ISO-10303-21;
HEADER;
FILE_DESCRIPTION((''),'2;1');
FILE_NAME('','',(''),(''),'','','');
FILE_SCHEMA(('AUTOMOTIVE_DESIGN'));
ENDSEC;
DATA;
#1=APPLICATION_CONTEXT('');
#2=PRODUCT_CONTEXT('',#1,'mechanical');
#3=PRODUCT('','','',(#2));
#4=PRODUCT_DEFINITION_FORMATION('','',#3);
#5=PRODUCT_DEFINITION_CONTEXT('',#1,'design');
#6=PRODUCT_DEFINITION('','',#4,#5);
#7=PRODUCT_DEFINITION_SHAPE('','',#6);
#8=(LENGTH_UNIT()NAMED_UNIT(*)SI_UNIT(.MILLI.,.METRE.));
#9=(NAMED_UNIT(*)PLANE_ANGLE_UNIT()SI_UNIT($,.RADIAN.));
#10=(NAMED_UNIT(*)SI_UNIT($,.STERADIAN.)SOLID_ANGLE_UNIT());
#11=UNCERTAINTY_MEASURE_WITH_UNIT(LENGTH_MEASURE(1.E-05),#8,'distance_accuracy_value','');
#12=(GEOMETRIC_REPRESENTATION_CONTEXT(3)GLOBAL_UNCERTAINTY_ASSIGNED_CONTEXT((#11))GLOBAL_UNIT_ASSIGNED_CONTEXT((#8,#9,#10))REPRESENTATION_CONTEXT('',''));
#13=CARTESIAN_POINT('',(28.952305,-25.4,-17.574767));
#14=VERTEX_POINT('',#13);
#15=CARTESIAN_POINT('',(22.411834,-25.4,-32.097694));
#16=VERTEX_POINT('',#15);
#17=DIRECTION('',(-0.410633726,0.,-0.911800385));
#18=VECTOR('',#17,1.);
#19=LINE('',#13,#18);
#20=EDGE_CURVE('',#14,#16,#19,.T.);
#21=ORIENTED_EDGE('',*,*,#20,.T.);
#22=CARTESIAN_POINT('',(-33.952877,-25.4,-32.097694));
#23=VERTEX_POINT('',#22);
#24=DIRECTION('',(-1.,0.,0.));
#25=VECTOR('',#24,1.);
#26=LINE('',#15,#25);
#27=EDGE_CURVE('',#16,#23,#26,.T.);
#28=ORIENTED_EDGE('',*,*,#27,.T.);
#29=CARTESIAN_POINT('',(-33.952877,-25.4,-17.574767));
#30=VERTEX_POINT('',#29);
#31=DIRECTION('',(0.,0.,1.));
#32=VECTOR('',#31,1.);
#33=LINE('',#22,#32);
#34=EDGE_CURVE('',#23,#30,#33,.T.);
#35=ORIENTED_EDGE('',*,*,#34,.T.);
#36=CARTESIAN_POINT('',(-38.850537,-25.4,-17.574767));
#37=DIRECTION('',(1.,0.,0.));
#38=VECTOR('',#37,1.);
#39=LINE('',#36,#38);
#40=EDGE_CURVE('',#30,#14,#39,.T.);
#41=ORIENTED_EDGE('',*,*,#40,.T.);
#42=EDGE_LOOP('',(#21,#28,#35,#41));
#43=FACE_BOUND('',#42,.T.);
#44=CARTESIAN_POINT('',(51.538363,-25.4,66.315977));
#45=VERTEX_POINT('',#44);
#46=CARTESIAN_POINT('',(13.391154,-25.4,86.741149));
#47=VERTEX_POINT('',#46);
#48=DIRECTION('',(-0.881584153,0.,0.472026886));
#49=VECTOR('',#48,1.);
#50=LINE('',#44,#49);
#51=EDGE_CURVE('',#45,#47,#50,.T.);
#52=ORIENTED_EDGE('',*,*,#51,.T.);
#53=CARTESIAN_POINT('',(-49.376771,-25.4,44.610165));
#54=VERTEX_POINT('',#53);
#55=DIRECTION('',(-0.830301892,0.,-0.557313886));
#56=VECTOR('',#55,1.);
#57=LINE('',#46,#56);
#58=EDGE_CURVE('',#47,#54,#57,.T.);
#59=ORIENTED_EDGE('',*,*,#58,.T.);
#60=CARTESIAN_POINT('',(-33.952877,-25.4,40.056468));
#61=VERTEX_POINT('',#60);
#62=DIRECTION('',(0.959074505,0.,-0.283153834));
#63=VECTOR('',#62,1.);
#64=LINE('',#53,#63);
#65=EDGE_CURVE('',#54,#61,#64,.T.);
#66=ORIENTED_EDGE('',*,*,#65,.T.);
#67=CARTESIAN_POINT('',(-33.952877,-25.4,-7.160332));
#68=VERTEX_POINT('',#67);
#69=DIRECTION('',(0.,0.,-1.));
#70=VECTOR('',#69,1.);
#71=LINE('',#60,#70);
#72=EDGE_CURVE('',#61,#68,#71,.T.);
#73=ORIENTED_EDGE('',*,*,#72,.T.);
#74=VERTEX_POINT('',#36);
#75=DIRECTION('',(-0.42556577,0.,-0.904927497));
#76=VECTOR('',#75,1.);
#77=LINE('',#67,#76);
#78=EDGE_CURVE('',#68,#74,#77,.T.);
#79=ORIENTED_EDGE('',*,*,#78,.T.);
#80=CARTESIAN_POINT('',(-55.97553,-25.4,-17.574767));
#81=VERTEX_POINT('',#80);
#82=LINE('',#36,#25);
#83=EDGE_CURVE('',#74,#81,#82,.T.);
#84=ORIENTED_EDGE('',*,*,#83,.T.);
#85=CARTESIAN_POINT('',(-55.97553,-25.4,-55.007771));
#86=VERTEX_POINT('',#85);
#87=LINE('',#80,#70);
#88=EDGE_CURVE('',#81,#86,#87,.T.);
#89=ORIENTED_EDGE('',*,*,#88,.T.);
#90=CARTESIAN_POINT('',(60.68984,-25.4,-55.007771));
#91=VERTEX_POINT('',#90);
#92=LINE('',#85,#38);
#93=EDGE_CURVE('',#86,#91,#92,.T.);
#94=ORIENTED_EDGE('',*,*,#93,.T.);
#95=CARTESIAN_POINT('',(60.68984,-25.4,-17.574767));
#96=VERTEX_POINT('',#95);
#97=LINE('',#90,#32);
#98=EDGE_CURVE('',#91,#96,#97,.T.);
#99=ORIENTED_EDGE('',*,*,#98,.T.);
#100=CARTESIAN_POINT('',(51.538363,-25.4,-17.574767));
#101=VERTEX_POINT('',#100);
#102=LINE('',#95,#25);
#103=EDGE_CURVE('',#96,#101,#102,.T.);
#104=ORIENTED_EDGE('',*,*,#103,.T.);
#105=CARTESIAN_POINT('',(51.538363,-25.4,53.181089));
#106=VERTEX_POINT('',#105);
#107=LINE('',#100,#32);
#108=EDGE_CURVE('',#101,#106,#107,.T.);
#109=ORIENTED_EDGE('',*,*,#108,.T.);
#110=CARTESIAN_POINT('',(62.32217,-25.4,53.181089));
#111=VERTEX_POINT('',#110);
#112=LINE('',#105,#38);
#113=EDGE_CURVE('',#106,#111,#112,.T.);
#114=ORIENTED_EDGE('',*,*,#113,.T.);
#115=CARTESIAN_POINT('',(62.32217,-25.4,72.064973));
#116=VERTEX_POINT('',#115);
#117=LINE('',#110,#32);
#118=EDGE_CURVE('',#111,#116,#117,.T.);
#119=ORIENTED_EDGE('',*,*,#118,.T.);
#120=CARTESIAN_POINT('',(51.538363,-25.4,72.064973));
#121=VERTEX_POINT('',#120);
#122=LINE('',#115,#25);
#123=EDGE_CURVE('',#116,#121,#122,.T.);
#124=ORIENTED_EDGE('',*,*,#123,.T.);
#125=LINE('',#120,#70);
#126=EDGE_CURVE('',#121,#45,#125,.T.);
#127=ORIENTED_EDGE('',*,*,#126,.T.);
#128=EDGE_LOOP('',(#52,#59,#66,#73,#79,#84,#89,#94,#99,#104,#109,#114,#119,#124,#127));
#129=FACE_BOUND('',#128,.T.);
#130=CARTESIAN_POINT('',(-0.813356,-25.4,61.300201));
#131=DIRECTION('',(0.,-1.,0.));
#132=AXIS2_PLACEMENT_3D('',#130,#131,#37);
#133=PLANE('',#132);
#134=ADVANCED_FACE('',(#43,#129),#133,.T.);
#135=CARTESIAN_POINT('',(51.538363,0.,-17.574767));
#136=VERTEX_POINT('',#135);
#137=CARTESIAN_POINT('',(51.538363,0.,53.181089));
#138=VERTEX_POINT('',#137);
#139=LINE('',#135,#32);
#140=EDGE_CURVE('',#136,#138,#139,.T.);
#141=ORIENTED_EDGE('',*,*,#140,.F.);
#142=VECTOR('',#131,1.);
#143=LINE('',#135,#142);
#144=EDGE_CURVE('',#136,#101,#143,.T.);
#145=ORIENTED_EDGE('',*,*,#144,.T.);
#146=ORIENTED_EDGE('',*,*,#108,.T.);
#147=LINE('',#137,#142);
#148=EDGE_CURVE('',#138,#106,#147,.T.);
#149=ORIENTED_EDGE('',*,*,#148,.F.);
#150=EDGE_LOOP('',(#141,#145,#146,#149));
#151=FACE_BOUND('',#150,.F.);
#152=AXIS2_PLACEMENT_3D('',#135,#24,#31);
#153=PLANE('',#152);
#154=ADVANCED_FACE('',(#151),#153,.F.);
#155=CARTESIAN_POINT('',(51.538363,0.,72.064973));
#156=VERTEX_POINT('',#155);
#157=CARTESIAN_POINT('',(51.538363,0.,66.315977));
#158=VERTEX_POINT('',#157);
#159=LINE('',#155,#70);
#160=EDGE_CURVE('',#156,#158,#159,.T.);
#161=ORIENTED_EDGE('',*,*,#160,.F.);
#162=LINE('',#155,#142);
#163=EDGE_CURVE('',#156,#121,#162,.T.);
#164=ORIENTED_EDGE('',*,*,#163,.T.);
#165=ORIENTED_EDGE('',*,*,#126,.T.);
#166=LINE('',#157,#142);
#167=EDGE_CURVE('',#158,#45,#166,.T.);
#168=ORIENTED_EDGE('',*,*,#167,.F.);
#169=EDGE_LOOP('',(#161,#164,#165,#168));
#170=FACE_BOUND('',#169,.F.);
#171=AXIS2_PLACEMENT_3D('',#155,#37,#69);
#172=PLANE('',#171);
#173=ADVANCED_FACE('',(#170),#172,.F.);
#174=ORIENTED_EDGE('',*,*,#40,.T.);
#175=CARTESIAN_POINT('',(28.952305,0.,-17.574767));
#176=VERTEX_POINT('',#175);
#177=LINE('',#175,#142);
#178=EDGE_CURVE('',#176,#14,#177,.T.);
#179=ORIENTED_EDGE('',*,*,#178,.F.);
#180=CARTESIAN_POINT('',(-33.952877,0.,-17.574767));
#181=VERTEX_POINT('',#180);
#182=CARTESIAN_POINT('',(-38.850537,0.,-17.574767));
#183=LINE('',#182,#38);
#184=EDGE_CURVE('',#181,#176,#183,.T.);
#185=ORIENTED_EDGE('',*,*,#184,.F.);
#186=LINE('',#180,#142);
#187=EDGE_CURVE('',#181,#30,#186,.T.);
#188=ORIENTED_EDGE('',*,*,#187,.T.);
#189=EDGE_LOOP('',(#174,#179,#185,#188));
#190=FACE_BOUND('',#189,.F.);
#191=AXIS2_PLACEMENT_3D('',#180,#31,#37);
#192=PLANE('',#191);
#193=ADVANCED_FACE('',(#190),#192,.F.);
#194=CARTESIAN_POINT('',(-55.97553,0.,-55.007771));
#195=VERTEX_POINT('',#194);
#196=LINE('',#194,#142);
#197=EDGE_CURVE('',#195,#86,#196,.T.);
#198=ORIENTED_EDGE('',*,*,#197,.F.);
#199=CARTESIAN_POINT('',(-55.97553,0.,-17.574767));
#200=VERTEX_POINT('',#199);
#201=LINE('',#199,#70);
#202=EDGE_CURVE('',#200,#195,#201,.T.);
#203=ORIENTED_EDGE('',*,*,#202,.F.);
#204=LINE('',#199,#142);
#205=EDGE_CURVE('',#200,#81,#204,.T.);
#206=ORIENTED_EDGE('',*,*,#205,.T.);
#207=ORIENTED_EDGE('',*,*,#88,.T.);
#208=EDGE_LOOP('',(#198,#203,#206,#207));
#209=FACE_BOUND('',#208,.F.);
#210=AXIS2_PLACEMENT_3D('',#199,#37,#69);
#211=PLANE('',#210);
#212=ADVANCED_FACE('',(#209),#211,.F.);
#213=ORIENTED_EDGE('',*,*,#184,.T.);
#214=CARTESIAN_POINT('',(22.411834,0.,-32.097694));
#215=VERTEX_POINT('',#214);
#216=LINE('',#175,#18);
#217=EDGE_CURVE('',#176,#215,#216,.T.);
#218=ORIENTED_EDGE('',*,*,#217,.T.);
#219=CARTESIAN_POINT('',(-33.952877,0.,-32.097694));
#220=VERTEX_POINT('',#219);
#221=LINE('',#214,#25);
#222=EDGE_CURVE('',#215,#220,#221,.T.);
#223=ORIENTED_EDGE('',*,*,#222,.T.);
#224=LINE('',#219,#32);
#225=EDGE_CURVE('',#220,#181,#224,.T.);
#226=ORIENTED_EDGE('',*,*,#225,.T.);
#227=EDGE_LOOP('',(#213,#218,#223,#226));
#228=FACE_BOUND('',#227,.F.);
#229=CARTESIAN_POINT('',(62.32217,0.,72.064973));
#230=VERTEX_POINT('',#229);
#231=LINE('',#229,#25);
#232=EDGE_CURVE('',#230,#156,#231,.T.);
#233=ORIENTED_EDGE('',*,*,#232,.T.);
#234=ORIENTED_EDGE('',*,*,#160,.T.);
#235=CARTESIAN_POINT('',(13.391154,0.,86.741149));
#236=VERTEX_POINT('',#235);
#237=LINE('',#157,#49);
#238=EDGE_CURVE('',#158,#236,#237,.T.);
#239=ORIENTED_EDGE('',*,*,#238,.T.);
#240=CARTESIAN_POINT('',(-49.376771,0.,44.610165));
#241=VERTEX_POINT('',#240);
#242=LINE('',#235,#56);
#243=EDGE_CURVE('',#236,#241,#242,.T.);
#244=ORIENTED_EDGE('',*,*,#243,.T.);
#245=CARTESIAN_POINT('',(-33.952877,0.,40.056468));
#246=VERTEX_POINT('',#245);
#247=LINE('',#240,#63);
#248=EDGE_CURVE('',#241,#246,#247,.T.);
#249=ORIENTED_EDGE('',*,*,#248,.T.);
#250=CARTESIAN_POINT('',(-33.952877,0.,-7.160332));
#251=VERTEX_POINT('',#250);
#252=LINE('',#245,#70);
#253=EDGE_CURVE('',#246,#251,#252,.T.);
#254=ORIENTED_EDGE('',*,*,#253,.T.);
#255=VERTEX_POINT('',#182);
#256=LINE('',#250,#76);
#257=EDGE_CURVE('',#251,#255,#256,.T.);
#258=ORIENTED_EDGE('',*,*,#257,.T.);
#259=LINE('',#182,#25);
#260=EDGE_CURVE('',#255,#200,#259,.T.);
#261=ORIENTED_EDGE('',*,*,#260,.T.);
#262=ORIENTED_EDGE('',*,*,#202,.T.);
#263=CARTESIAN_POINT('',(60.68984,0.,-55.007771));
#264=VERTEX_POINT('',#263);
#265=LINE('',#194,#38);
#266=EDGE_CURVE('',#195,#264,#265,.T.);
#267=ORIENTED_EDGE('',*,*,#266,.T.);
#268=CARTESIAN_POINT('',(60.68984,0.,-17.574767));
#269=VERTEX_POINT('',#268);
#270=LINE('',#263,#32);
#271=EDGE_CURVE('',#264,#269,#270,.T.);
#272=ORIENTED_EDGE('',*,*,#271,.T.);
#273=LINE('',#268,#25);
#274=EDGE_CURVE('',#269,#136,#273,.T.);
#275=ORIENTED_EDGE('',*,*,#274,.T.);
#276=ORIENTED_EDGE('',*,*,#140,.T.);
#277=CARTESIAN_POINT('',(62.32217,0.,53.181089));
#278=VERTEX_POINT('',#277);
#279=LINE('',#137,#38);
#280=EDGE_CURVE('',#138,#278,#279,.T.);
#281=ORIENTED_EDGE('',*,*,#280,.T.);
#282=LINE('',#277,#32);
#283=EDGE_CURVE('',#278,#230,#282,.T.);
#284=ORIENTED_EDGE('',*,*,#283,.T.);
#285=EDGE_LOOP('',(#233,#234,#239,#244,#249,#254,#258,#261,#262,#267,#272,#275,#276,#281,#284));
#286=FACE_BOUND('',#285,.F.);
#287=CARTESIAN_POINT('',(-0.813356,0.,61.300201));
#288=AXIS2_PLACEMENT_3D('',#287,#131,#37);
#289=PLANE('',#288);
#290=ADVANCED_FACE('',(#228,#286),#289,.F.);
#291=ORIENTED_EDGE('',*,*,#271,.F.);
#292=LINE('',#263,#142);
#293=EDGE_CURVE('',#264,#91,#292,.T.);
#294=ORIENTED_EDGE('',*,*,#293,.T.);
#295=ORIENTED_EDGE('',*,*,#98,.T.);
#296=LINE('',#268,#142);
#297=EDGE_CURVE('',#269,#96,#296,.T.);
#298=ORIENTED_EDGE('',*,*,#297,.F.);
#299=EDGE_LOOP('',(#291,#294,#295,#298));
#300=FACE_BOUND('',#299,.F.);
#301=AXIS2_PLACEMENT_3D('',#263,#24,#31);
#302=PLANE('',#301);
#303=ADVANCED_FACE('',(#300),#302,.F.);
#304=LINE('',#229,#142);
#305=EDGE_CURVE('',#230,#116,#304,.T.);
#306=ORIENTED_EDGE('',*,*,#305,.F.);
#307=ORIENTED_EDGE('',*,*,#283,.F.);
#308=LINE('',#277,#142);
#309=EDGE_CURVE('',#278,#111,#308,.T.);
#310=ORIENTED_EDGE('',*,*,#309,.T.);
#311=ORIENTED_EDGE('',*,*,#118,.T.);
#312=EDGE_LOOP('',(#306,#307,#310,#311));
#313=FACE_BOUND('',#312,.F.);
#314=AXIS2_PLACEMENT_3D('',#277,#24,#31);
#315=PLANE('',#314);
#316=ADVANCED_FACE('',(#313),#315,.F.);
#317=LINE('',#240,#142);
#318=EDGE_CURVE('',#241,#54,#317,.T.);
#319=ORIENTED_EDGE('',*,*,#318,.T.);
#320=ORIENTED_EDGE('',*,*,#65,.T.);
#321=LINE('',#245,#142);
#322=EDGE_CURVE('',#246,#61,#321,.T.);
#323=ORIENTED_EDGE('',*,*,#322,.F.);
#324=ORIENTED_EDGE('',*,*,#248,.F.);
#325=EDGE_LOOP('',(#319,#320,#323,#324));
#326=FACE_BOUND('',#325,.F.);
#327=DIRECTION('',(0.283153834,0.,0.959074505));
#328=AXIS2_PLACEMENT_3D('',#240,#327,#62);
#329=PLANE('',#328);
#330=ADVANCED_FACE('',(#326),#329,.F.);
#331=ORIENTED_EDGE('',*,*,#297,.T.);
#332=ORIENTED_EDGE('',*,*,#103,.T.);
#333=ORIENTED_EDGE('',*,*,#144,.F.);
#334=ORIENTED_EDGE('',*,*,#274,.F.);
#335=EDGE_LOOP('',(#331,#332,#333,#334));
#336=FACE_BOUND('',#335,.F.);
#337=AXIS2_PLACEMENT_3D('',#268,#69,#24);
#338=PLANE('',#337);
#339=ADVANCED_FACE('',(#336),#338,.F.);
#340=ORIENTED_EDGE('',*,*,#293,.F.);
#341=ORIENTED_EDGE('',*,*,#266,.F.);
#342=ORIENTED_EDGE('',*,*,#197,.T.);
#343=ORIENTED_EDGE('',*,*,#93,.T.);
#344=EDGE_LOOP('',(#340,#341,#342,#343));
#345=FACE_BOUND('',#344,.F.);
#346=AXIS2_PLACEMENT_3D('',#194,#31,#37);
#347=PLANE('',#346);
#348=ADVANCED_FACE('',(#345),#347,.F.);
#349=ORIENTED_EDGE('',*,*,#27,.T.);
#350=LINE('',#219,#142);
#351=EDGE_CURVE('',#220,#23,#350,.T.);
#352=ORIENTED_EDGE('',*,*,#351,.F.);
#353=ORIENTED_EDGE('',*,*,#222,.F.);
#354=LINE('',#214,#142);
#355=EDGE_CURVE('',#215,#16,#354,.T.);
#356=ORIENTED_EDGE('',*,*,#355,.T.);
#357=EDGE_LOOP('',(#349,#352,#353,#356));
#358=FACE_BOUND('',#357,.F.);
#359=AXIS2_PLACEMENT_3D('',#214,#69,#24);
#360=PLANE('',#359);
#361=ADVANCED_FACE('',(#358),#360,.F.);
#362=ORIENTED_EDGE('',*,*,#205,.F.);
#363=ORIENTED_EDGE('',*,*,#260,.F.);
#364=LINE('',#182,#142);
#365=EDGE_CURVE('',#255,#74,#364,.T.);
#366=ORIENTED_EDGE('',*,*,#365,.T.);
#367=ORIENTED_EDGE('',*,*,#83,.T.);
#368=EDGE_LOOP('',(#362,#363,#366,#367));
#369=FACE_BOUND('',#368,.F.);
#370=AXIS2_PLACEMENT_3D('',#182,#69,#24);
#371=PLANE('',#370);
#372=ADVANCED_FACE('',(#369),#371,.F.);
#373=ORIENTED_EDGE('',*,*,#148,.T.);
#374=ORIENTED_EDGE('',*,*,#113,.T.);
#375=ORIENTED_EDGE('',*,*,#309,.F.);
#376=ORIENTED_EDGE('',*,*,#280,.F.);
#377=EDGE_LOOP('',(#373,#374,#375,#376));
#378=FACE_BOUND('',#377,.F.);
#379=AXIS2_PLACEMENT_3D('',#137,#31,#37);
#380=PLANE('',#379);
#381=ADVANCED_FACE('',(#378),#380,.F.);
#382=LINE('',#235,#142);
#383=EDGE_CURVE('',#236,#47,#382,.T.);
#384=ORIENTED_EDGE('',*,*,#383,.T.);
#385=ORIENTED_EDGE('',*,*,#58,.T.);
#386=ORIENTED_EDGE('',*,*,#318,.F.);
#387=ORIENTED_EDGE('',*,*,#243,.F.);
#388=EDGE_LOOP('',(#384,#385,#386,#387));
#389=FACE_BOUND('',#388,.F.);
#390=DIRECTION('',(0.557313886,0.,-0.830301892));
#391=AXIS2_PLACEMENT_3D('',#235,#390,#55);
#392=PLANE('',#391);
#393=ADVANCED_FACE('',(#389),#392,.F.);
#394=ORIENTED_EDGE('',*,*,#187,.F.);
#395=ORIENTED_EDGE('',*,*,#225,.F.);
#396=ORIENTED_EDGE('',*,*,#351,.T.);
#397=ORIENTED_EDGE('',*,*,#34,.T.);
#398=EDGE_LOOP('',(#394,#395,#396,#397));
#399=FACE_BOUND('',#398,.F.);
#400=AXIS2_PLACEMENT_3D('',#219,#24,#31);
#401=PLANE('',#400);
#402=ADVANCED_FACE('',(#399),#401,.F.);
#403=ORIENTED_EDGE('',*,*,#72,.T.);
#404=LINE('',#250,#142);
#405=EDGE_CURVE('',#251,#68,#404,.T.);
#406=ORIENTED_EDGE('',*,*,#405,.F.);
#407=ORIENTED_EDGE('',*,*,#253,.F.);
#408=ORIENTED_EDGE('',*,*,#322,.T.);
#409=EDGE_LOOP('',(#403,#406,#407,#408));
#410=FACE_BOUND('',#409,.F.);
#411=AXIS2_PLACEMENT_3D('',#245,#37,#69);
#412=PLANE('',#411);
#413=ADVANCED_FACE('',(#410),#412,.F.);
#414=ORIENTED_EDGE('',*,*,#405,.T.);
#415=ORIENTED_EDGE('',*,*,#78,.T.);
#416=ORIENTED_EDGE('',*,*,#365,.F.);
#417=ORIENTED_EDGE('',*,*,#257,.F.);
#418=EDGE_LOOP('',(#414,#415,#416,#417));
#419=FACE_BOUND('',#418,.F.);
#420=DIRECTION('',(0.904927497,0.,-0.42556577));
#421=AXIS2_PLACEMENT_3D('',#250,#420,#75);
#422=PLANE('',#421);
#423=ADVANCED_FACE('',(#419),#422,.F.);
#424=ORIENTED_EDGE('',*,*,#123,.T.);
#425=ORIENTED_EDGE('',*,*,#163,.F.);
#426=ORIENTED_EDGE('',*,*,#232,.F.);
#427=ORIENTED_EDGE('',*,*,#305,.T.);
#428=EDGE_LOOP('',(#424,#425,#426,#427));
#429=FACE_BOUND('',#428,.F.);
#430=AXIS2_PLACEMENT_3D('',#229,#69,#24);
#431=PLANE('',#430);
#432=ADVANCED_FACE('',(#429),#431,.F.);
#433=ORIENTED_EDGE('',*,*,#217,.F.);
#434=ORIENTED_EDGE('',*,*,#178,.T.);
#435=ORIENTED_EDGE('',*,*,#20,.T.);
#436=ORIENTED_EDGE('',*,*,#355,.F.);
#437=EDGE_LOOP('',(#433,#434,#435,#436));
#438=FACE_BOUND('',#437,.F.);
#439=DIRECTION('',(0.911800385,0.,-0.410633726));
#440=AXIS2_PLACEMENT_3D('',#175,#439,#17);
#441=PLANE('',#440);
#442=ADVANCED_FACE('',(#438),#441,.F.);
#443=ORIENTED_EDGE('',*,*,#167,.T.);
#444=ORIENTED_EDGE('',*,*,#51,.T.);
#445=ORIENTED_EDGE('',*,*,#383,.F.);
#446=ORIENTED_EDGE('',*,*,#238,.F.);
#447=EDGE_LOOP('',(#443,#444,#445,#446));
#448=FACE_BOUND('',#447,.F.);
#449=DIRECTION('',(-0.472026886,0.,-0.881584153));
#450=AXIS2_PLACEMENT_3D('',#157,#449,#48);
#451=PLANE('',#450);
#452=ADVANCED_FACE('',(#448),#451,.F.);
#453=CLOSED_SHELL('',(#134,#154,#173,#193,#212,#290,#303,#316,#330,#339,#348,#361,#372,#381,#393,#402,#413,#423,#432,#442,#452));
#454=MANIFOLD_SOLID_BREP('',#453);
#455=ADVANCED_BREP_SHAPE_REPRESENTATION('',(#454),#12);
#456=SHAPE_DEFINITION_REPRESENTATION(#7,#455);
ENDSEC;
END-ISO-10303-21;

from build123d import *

# Parameters (mm, degrees)
F1_DEPTH = 25.4


with BuildPart() as f1:
    # F0 (on Front) → F1 (new body)
    with BuildSketch(Plane.XZ):
        Polygon((-33.9528769255, 40.0564680563), (-33.9528769255, 53.1810894608), (18.2133984662, 53.1810894608), (51.5383630991, 65.2996533445), (51.5383630991, 66.3159769478), (13.3911538869, 86.7411494255), (-49.376770854, 44.6101650596), align=None)
        Polygon((18.2133984662, 53.1810894608), (-33.9528769255, 53.1810894608), (-33.9528769255, 40.0564680563), (-15.8423800021, 34.7095876932), (-14.4241497444, 34.3657573582), (45.7716546953, 19.7721160948), (28.9523048901, -17.5747666508), (51.5383630991, -17.5747666508), (51.5383630991, 53.1810894608), align=None)
        Polygon((51.5383630991, 65.2996533445), (18.2133984662, 53.1810894608), (51.5383630991, 53.1810894608), align=None)
        Polygon((-15.8423800021, 34.7095876932), (-33.9528769255, 40.0564680563), (-33.9528769255, -7.1603319994), (-14.4241497444, 34.3657573582), align=None)
        Polygon((51.5383630991, 65.2996533445), (51.5383630991, 53.1810894608), (62.3221695423, 53.1810894608), (62.3221695423, 72.0649734139), (51.5383630991, 72.0649734139), (51.5383630991, 66.3159769478), (52.6687689126, 65.7107234001), align=None)
        Polygon((51.5383630991, 66.3159769478), (51.5383630991, 65.2996533445), (52.6687689126, 65.7107234001), align=None)
        Polygon((-14.4241497444, 34.3657573582), (-33.9528769255, -7.1603319994), (-33.9528769255, -17.5747666508), (28.9523048901, -17.5747666508), (45.7716546953, 19.7721160948), align=None)
        Polygon((-33.9528769255, -17.5747666508), (-33.9528769255, -7.1603319994), (-38.8505365943, -17.5747666508), align=None)
        Polygon((60.6898404658, -17.5747666508), (51.5383630991, -17.5747666508), (51.5383630991, -32.0976935327), (22.4118343216, -32.0976935327), (15.7569888979, -46.8745864928), (-47.0071732998, -34.9191240966), (-38.8505365943, -17.5747666508), (-55.9755302966, -17.5747666508), (-55.9755302966, -55.0077706575), (60.6898404658, -55.0077706575), align=None)
        Polygon((51.5383630991, -32.0976935327), (51.5383630991, -17.5747666508), (28.9523048901, -17.5747666508), (22.4118343216, -32.0976935327), align=None)
        Polygon((-33.9528769255, -32.0976935327), (-33.9528769255, -17.5747666508), (-38.8505365943, -17.5747666508), (-47.0071732998, -34.9191240966), (15.7569888979, -46.8745864928), (22.4118343216, -32.0976935327), align=None)
    extrude(amount=F1_DEPTH)


solid = f1.part
